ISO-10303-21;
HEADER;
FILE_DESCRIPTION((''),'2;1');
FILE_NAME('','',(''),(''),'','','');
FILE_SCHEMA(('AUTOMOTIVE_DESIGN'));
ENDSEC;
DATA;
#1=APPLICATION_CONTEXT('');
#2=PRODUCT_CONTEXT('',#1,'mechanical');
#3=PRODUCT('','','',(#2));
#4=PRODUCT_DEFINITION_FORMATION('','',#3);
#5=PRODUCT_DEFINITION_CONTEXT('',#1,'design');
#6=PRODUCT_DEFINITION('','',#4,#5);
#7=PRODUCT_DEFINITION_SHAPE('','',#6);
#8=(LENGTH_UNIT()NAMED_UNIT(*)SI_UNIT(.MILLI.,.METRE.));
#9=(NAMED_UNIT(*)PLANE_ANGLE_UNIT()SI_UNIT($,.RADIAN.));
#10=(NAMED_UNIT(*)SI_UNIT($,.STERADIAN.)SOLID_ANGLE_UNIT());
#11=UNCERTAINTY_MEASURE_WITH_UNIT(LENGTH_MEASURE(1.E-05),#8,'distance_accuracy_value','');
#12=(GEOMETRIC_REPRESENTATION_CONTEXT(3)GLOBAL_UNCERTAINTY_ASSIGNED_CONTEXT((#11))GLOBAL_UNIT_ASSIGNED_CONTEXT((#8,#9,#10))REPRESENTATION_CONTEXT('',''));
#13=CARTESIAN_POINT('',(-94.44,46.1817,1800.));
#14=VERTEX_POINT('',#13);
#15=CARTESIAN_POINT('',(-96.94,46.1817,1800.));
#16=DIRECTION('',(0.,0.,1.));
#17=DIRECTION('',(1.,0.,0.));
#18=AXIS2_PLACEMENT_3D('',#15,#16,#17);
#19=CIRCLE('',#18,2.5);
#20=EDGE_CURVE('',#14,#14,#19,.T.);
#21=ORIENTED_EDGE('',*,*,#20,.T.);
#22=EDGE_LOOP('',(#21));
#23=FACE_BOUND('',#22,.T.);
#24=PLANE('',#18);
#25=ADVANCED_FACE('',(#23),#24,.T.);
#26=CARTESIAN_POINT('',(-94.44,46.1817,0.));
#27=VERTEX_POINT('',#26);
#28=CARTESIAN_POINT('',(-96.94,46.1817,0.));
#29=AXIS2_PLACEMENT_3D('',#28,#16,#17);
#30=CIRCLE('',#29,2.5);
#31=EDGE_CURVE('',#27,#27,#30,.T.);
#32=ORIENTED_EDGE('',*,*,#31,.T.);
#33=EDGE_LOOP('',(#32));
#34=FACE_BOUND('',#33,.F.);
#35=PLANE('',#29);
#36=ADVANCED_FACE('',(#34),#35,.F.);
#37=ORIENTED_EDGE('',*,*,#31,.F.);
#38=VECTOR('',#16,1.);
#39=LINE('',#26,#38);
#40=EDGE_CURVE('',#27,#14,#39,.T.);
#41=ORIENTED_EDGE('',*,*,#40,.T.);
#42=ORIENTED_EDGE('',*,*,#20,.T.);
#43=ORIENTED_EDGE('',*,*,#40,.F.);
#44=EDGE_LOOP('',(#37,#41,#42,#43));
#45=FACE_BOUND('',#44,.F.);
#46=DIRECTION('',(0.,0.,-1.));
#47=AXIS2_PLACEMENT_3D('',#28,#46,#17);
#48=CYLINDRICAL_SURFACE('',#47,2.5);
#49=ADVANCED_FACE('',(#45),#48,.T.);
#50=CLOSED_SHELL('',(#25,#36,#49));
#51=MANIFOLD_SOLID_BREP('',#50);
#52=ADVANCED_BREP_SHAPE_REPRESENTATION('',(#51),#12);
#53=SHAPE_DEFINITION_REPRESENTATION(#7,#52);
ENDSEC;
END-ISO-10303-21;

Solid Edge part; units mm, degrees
sketch "Sketch1" plane through (0, 0, 0) normal (0, 0, 1) x (1, 0, 0)
  circle A0 centre (-96.94, 46.1817) radius 2.5
extrude "Protrusion1" add sketch "Sketch1" along normal blind 1800
